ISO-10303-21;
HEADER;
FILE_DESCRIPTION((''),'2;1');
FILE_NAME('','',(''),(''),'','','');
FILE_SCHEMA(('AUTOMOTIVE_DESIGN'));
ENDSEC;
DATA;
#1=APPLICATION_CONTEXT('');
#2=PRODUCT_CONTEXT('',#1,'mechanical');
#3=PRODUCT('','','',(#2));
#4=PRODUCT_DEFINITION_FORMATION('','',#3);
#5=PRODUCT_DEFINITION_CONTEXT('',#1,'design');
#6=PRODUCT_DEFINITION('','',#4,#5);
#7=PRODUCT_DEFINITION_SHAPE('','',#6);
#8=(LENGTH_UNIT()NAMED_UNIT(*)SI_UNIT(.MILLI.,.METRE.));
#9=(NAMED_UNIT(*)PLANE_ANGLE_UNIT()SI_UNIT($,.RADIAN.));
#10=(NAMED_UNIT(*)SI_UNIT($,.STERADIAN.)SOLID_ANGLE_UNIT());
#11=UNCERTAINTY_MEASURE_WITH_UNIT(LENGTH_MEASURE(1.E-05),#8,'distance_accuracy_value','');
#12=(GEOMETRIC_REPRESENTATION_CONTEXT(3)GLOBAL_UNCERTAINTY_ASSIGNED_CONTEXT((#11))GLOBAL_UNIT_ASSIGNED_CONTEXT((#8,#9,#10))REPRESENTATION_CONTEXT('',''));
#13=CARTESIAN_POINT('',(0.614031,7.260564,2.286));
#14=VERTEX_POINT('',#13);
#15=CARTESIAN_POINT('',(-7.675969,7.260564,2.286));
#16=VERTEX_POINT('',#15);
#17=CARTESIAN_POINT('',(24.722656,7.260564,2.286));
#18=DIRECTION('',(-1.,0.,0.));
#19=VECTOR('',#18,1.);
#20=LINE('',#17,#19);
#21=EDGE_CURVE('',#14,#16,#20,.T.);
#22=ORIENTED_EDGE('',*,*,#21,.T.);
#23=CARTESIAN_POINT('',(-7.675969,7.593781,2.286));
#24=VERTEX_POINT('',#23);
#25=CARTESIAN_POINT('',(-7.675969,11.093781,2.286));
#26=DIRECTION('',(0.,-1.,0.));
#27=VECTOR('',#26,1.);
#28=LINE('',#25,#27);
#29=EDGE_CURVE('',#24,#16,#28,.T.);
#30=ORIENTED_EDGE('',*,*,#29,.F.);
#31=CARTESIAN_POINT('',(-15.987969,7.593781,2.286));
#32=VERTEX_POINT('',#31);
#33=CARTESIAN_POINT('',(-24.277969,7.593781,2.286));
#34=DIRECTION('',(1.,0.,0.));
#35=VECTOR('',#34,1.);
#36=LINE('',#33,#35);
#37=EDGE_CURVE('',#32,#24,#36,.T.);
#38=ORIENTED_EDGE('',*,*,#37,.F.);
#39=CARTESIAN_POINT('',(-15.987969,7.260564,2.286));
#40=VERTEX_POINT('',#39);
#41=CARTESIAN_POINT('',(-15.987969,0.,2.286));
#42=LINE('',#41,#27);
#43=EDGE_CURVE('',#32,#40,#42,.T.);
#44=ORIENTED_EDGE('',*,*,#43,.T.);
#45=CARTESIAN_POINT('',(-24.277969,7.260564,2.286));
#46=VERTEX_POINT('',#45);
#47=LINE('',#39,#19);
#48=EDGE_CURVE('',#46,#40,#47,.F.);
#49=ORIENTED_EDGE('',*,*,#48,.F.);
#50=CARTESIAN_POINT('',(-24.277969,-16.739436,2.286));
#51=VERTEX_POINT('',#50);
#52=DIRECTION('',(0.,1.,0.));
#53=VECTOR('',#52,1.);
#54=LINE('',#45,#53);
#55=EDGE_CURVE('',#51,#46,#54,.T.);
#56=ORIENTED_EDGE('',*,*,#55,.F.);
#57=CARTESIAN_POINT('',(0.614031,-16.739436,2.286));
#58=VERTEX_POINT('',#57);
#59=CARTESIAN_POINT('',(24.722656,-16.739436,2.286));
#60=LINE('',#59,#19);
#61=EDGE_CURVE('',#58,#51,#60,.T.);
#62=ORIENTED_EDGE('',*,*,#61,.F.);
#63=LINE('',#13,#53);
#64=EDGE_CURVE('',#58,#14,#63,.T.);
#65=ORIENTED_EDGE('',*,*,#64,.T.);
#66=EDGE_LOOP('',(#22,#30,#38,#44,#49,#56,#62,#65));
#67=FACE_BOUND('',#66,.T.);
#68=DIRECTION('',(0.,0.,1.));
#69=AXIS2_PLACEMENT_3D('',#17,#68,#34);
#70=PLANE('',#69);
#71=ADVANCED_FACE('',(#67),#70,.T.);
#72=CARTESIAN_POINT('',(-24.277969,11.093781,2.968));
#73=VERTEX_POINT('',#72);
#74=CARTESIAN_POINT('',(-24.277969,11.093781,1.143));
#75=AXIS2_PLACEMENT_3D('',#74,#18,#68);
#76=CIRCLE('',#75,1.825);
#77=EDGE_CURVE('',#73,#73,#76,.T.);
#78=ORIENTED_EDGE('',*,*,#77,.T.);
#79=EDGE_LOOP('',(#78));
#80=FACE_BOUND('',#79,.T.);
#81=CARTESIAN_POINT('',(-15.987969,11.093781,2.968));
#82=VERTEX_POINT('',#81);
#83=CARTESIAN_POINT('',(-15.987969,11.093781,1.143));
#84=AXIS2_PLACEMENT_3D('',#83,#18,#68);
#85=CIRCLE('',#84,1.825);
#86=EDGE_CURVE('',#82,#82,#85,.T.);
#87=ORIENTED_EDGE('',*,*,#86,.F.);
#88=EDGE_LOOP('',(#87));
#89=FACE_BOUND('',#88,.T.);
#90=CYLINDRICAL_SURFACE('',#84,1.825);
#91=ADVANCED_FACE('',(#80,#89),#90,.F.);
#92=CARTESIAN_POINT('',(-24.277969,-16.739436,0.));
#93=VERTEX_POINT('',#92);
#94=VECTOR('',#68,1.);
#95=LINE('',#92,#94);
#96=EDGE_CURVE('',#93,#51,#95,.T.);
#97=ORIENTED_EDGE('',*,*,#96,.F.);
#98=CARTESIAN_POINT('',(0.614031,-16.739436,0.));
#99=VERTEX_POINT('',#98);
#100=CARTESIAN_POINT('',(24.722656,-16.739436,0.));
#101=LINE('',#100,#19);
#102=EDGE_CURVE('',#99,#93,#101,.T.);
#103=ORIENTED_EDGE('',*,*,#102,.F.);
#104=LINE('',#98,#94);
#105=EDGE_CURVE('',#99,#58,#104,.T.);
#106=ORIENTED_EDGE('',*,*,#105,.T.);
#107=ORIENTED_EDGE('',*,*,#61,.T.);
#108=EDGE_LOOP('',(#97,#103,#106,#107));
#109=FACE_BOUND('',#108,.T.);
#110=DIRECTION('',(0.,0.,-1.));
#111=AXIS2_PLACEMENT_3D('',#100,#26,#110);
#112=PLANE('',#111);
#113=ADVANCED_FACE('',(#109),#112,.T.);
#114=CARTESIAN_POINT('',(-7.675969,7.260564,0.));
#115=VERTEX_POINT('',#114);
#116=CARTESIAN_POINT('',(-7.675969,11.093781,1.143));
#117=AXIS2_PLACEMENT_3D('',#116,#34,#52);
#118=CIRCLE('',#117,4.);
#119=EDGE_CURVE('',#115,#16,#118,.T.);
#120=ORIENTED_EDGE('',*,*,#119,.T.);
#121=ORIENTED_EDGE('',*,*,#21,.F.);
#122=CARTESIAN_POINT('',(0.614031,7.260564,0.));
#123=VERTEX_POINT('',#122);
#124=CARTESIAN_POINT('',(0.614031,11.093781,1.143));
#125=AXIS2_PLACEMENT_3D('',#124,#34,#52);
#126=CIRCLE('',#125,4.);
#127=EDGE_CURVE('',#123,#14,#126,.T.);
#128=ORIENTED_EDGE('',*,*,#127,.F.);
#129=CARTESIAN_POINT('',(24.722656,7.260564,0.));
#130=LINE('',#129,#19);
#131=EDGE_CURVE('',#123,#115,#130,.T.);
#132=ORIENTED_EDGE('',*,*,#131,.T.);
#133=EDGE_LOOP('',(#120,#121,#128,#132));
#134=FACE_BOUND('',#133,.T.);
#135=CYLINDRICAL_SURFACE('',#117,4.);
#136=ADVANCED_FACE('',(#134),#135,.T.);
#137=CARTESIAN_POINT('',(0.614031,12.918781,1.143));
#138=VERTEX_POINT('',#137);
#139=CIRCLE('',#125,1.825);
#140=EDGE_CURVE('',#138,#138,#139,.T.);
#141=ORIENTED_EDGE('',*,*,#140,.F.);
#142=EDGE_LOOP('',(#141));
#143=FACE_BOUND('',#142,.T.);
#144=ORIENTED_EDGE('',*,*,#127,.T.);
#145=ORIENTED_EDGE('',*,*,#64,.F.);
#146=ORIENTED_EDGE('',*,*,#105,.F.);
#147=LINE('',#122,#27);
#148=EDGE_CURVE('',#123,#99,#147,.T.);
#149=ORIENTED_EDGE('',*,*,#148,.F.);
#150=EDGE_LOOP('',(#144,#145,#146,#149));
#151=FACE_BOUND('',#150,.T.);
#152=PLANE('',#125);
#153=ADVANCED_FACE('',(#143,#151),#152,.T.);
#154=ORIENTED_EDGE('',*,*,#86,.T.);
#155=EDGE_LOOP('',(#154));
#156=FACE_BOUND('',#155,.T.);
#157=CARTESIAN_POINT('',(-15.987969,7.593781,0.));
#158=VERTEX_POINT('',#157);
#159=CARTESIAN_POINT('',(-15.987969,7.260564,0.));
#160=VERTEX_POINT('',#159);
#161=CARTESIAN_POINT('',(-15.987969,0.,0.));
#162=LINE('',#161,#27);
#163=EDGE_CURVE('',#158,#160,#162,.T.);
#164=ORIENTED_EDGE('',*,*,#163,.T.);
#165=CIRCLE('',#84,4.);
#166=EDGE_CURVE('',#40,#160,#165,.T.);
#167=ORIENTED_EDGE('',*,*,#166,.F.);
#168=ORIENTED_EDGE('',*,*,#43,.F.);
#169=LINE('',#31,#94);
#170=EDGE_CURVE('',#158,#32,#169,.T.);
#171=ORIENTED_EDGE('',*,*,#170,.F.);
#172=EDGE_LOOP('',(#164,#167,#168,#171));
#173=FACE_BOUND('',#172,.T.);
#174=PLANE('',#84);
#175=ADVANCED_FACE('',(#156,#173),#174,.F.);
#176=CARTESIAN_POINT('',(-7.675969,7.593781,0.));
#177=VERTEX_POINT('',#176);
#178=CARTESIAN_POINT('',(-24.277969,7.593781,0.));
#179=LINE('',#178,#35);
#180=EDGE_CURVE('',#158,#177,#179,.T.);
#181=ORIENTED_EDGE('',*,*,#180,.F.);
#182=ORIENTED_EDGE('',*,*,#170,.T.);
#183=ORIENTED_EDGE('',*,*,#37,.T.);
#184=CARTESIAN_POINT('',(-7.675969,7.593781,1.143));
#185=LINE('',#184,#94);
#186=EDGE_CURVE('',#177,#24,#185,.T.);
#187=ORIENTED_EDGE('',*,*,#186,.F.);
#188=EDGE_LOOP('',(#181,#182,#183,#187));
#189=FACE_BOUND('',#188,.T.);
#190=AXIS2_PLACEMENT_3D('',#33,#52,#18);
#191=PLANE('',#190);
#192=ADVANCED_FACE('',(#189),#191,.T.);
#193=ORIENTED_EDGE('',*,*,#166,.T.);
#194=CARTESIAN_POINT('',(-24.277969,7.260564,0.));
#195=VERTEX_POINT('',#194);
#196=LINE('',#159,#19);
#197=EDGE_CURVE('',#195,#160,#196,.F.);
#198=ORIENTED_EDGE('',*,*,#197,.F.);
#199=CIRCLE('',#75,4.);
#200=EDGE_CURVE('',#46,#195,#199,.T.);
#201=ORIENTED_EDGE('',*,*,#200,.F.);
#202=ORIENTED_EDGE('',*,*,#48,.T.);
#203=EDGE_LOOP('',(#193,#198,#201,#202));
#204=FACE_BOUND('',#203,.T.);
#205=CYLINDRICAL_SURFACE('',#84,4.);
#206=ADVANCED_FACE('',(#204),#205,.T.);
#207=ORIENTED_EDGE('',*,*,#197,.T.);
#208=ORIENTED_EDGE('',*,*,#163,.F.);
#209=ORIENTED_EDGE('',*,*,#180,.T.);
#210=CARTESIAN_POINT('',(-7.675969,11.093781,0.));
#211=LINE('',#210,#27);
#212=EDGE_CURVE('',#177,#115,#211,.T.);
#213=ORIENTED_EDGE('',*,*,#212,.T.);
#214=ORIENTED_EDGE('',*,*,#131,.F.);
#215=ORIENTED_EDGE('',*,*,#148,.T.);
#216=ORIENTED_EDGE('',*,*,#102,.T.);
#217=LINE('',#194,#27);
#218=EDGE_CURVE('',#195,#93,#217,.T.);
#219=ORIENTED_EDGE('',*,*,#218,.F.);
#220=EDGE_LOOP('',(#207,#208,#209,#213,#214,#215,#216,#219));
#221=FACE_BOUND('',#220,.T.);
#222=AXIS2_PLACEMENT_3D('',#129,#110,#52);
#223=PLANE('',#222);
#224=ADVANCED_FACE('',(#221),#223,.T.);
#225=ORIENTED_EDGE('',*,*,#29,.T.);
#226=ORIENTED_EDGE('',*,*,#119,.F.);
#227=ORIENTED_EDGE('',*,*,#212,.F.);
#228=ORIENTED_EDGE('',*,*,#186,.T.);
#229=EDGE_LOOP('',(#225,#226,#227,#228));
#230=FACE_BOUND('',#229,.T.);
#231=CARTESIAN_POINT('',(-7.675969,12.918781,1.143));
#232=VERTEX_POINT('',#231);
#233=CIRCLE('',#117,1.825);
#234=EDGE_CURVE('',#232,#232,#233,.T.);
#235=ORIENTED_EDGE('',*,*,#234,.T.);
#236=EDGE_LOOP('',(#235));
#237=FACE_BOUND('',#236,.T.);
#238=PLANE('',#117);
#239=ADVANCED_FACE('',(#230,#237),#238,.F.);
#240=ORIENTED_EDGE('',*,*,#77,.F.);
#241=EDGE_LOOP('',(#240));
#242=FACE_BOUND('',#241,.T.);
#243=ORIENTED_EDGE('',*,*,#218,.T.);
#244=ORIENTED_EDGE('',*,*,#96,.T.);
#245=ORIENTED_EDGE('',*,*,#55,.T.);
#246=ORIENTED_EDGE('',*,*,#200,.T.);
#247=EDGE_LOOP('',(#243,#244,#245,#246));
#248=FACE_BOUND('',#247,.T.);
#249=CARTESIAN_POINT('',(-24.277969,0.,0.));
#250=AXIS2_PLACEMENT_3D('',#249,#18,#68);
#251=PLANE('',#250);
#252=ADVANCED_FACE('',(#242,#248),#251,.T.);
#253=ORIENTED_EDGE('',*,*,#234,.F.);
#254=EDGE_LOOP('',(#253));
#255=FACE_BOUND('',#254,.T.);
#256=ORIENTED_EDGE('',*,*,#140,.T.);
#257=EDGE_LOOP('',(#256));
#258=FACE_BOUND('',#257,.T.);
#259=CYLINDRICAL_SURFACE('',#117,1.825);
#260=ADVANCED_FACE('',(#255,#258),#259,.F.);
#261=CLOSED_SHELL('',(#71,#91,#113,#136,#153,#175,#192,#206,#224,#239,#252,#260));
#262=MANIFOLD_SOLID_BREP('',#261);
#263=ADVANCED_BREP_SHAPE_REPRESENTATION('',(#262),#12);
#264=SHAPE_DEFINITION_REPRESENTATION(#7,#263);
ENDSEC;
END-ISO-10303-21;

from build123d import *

# Parameters (mm, degrees)
SKETCH1_W           = 24.892
SKETCH1_H           = 7.874
BOSS_EXTRUDE1_DEPTH = 2.286
SKETCH2_R           = 4
BOSS_EXTRUDE2_DEPTH = 8.29
SKETCH3_R           = 1.825
CUT_EXTRUDE1_DEPTH  = 8.29
SKETCH4_R           = 4
BOSS_EXTRUDE3_DEPTH = 8.29
SKETCH5_R           = 1.825
CUT_EXTRUDE2_DEPTH  = 8.29
SKETCH7_W           = 2.286
SKETCH7_H           = 24
BOSS_EXTRUDE4_DEPTH = 24.892


with BuildPart() as part:
    # Sketch1 → Boss-Extrude1 (new body)
    with BuildSketch(Plane.XY):
        with Locations((-11.83196875, 3.65678125)):
            Rectangle(SKETCH1_W, SKETCH1_H)
    extrude(amount=BOSS_EXTRUDE1_DEPTH)

    # Sketch4 → Boss-Extrude3 (add)
    with BuildSketch(Plane.ZY.offset(24.27796875)):
        with Locations(Location((1.143, 11.09378125, 0), (0, 0, 90))):
            Circle(SKETCH4_R)
    extrude(amount=-BOSS_EXTRUDE3_DEPTH)

    # Sketch5 → Cut-Extrude2 (cut)
    with BuildSketch(Plane.ZY.offset(24.27796875)):
        with Locations(Location((1.143, 11.09378125, 0), (0, 0, 90))):
            Circle(SKETCH5_R)
    extrude(amount=-CUT_EXTRUDE2_DEPTH, mode=Mode.SUBTRACT)



with BuildPart() as body_2:
    # Sketch2 → Boss-Extrude2 (new body)
    with BuildSketch(Plane(origin=(0.61403125, 0, 0), x_dir=(0, 0, -1), z_dir=(1, 0, 0))):
        with Locations(Location((-1.143, 11.09378125, 0), (0, 0, 90))):
            Circle(SKETCH2_R)
    extrude(amount=-BOSS_EXTRUDE2_DEPTH)

    # Sketch3 → Cut-Extrude1 (cut)
    with BuildSketch(Plane(origin=(0.61403125, 0, 0), x_dir=(0, 0, -1), z_dir=(1, 0, 0))):
        with Locations(Location((-1.143, 11.09378125, 0), (0, 0, 90))):
            Circle(SKETCH3_R)
    extrude(amount=-CUT_EXTRUDE1_DEPTH, mode=Mode.SUBTRACT)


with BuildPart() as part_1:
    add(part.part)

    add(body_2.part)  # Boss-Extrude4 merges body 2
    # Sketch7 → Boss-Extrude4 (add)
    with BuildSketch(Plane.ZY.offset(24.27796875)):
        with Locations((1.143, -4.739435545)):
            Rectangle(SKETCH7_W, SKETCH7_H)
    extrude(amount=-BOSS_EXTRUDE4_DEPTH)


solid = part_1.part
